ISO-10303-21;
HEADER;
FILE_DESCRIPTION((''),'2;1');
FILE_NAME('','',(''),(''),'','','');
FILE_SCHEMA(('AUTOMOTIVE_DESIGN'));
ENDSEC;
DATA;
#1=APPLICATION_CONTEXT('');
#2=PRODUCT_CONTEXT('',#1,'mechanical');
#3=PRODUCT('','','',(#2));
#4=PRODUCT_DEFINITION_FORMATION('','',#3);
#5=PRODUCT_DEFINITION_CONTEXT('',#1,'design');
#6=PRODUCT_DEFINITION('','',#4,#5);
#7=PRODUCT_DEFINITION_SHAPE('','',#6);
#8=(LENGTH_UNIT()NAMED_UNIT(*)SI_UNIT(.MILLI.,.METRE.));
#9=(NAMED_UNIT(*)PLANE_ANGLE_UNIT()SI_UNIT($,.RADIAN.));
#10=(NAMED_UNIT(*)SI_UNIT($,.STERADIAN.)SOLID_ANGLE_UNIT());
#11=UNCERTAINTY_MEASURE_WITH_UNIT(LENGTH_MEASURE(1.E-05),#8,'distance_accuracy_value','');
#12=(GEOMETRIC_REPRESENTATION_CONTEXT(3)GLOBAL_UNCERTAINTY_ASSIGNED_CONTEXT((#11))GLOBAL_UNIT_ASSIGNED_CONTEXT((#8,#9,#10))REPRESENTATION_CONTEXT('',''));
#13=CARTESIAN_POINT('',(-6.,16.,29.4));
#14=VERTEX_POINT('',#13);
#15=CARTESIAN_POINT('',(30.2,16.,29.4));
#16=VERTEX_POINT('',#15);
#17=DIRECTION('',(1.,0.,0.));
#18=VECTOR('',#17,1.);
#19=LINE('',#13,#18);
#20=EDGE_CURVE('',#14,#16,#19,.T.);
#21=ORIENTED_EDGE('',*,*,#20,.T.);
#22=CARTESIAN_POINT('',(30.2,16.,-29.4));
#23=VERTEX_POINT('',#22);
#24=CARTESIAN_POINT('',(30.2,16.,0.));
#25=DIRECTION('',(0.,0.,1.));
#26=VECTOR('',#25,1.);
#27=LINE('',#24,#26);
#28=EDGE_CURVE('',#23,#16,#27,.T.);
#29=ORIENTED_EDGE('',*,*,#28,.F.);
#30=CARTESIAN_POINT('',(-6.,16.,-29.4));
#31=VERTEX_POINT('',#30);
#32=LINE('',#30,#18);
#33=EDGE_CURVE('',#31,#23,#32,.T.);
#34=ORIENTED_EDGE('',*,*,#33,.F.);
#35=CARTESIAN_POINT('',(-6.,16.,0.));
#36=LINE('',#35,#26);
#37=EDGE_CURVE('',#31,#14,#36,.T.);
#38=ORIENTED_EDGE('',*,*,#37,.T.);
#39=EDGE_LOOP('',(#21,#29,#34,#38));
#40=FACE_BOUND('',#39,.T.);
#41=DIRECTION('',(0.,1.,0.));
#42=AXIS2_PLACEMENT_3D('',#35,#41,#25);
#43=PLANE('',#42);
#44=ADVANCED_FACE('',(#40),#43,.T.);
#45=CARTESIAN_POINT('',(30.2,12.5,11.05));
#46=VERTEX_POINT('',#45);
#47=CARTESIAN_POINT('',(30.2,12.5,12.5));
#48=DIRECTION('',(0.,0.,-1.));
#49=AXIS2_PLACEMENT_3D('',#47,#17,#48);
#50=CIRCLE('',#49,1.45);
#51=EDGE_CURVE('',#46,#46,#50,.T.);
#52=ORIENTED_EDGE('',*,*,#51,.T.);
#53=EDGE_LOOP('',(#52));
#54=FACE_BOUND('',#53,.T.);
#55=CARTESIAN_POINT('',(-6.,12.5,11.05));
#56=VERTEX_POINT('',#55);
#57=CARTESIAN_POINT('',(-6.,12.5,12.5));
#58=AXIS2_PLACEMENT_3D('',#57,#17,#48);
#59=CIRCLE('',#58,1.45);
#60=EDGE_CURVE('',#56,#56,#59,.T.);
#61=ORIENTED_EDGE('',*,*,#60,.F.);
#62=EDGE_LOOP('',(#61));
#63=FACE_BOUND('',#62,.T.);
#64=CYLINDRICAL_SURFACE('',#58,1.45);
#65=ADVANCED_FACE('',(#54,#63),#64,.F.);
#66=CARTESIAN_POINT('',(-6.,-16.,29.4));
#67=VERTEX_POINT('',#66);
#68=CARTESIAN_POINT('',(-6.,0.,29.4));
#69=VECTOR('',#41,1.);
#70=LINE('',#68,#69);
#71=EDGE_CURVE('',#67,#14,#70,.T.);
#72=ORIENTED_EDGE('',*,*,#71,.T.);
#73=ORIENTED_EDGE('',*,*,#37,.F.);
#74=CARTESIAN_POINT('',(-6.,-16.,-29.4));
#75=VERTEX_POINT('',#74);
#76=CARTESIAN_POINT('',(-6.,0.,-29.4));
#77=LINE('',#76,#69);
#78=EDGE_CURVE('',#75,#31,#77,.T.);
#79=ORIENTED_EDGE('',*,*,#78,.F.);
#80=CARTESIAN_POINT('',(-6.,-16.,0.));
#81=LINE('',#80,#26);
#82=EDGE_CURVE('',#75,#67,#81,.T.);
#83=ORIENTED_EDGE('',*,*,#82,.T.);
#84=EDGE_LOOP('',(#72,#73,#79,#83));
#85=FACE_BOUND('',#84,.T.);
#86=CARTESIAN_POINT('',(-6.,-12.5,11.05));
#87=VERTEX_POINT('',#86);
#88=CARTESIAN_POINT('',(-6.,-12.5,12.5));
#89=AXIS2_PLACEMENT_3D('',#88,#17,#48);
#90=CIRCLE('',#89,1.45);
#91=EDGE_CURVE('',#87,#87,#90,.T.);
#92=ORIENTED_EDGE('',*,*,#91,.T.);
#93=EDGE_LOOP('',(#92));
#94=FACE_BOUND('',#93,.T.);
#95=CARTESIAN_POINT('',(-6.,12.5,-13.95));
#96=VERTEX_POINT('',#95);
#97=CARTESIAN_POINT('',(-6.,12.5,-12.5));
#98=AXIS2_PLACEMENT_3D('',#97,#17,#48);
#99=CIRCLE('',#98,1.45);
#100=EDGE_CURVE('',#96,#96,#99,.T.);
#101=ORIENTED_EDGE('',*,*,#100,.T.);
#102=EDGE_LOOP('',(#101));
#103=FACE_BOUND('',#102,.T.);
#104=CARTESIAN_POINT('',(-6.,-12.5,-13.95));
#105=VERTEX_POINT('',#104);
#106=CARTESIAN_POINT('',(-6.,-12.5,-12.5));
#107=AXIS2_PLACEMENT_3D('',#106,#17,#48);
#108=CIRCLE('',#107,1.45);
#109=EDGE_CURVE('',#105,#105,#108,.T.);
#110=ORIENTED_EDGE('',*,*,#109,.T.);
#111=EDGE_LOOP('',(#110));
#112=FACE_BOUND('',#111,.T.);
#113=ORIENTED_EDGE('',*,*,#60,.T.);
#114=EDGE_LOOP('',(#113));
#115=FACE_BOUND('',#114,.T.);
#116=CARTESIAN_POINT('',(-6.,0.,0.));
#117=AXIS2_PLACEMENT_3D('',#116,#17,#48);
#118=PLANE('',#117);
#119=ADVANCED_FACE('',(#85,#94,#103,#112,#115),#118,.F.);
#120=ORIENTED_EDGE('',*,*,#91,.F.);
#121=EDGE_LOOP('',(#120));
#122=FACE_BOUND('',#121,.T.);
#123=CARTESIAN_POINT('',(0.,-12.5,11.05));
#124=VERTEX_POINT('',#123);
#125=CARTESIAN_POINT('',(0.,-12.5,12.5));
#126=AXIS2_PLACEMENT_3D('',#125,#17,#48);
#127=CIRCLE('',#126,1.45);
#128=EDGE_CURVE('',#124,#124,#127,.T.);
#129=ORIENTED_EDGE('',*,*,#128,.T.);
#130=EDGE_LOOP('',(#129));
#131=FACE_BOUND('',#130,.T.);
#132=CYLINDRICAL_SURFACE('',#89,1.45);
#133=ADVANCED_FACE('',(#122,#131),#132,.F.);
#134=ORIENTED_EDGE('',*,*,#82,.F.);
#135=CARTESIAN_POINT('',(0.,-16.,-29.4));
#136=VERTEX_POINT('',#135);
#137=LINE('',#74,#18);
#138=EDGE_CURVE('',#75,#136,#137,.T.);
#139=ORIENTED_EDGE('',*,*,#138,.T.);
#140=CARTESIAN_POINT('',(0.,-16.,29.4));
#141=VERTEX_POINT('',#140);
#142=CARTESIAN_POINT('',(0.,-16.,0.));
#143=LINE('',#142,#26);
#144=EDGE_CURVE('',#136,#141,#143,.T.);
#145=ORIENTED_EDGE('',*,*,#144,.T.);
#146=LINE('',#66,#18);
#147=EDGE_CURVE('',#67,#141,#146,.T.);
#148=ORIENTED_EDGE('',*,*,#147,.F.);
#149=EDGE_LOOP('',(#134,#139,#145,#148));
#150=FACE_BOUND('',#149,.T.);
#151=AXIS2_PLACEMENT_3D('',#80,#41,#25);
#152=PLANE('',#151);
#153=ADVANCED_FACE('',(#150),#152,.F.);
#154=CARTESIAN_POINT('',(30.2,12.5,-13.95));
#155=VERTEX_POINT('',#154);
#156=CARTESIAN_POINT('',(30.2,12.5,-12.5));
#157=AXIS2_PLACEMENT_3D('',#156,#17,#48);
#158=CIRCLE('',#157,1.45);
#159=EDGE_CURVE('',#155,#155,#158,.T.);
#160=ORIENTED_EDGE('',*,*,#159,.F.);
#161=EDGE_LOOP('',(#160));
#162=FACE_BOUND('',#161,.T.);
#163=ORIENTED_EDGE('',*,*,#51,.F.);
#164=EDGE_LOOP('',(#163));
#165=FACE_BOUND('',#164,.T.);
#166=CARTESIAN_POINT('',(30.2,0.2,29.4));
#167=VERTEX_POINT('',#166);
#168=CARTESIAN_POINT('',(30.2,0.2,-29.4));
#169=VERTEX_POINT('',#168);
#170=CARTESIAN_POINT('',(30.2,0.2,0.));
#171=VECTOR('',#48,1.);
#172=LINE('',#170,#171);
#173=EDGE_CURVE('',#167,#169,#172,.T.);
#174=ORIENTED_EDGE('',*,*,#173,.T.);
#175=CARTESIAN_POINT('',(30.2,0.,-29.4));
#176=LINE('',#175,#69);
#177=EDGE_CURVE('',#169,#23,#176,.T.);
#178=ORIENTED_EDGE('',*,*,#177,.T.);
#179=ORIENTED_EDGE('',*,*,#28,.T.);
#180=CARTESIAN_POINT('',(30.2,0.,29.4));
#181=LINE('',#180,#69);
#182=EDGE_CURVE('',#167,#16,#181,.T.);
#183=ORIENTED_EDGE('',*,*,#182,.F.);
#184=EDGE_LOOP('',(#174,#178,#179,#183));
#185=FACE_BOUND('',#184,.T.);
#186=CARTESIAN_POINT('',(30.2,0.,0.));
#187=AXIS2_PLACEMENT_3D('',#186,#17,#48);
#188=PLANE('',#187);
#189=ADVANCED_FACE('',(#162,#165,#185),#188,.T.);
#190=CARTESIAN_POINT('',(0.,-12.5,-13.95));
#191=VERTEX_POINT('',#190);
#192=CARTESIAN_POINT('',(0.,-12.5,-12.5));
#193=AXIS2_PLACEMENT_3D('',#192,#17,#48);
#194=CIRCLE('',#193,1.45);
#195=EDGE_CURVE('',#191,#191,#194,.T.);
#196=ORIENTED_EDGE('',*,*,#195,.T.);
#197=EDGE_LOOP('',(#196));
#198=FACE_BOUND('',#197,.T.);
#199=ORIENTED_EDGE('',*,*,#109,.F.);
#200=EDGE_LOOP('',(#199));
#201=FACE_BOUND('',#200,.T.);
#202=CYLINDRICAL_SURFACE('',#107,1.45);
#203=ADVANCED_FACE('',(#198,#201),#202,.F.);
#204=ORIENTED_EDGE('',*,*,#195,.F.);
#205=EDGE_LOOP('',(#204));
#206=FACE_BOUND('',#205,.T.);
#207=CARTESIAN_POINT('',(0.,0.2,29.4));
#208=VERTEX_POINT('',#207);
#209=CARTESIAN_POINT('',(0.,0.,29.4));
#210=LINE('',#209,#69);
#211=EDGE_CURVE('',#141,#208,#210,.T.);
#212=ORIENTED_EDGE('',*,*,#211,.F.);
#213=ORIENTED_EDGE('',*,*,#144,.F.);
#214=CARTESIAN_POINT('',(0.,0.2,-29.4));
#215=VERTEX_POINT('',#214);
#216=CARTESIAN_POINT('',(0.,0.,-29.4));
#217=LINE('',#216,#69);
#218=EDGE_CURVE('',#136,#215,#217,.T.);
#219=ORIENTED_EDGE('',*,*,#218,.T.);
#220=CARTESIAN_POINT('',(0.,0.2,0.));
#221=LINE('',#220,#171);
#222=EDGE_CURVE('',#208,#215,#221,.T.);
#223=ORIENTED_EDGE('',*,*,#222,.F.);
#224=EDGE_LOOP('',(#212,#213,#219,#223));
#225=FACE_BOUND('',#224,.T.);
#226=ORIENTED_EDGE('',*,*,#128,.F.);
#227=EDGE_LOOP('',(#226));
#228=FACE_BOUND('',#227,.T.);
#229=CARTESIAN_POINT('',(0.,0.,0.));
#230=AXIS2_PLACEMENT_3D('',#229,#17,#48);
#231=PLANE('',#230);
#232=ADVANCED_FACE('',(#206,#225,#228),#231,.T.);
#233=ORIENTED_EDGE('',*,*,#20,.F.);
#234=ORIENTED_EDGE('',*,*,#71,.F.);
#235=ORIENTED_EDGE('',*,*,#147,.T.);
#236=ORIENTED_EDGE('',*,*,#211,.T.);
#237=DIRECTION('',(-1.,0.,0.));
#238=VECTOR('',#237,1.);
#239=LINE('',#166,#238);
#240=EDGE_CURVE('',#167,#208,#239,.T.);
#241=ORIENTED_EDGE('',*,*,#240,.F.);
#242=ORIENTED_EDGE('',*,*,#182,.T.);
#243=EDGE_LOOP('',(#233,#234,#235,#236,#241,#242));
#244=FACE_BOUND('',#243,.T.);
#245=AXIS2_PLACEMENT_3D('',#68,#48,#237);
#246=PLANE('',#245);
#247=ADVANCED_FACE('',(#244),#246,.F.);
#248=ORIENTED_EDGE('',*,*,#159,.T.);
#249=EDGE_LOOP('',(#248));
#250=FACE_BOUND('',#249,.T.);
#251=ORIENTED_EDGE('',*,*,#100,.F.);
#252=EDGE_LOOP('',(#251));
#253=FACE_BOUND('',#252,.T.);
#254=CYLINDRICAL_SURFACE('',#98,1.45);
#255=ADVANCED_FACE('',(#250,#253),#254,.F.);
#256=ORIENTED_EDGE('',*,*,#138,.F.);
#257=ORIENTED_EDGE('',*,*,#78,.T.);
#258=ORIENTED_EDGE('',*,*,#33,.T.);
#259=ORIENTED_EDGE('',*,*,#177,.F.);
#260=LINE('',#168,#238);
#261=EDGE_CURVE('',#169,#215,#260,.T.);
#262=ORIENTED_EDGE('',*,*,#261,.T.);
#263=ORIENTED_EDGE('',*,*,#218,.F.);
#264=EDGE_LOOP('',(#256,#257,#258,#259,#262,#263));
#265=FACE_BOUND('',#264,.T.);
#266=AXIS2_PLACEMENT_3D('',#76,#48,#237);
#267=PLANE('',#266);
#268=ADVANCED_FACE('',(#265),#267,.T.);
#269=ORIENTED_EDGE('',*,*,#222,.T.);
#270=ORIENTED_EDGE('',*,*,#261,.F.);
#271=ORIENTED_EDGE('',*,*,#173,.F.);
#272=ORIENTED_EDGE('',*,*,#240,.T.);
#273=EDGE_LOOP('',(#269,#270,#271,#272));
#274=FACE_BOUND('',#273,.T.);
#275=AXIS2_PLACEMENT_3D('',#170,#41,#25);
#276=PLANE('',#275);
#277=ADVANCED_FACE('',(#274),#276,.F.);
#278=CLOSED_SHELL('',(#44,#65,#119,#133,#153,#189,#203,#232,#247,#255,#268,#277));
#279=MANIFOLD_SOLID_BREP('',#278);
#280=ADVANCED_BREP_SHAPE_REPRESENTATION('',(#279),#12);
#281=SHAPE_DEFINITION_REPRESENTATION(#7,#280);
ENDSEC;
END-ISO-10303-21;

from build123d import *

# Parameters (mm, degrees)
SKETCH1_W           = 32
SKETCH1_H           = 58.8
SKETCH1_R           = 1.45
BOSS_EXTRUDE1_DEPTH = 6
BOSS_EXTRUDE2_START = 30.2
SKETCH1_3_W         = 15.8
SKETCH1_3_H         = 58.8
SKETCH1_3_R         = 1.45
BOSS_EXTRUDE2_DEPTH = 30.2


with BuildPart() as part:
    # Sketch1 → Boss-Extrude1 (new body)
    with BuildSketch(Plane.YZ):
        Rectangle(SKETCH1_W, SKETCH1_H)
        with Locations((12.5, -12.5)):
            Circle(SKETCH1_R, mode=Mode.SUBTRACT)
        with Locations((12.5, 12.5)):
            Circle(SKETCH1_R, mode=Mode.SUBTRACT)
        with Locations((-12.5, 12.5)):
            Circle(SKETCH1_R, mode=Mode.SUBTRACT)
        with Locations((-12.5, -12.5)):
            Circle(SKETCH1_R, mode=Mode.SUBTRACT)
    extrude(amount=-BOSS_EXTRUDE1_DEPTH)

    # Sketch1<3> → Boss-Extrude2 (add)
    with BuildSketch(Plane.YZ.offset(BOSS_EXTRUDE2_START)):
        with Locations((8.1, 0)):
            Rectangle(SKETCH1_3_W, SKETCH1_3_H)
        with Locations((12.5, -12.5)):
            Circle(SKETCH1_3_R, mode=Mode.SUBTRACT)
        with Locations((12.5, 12.5)):
            Circle(SKETCH1_3_R, mode=Mode.SUBTRACT)
    extrude(amount=-BOSS_EXTRUDE2_DEPTH)


solid = part.part
